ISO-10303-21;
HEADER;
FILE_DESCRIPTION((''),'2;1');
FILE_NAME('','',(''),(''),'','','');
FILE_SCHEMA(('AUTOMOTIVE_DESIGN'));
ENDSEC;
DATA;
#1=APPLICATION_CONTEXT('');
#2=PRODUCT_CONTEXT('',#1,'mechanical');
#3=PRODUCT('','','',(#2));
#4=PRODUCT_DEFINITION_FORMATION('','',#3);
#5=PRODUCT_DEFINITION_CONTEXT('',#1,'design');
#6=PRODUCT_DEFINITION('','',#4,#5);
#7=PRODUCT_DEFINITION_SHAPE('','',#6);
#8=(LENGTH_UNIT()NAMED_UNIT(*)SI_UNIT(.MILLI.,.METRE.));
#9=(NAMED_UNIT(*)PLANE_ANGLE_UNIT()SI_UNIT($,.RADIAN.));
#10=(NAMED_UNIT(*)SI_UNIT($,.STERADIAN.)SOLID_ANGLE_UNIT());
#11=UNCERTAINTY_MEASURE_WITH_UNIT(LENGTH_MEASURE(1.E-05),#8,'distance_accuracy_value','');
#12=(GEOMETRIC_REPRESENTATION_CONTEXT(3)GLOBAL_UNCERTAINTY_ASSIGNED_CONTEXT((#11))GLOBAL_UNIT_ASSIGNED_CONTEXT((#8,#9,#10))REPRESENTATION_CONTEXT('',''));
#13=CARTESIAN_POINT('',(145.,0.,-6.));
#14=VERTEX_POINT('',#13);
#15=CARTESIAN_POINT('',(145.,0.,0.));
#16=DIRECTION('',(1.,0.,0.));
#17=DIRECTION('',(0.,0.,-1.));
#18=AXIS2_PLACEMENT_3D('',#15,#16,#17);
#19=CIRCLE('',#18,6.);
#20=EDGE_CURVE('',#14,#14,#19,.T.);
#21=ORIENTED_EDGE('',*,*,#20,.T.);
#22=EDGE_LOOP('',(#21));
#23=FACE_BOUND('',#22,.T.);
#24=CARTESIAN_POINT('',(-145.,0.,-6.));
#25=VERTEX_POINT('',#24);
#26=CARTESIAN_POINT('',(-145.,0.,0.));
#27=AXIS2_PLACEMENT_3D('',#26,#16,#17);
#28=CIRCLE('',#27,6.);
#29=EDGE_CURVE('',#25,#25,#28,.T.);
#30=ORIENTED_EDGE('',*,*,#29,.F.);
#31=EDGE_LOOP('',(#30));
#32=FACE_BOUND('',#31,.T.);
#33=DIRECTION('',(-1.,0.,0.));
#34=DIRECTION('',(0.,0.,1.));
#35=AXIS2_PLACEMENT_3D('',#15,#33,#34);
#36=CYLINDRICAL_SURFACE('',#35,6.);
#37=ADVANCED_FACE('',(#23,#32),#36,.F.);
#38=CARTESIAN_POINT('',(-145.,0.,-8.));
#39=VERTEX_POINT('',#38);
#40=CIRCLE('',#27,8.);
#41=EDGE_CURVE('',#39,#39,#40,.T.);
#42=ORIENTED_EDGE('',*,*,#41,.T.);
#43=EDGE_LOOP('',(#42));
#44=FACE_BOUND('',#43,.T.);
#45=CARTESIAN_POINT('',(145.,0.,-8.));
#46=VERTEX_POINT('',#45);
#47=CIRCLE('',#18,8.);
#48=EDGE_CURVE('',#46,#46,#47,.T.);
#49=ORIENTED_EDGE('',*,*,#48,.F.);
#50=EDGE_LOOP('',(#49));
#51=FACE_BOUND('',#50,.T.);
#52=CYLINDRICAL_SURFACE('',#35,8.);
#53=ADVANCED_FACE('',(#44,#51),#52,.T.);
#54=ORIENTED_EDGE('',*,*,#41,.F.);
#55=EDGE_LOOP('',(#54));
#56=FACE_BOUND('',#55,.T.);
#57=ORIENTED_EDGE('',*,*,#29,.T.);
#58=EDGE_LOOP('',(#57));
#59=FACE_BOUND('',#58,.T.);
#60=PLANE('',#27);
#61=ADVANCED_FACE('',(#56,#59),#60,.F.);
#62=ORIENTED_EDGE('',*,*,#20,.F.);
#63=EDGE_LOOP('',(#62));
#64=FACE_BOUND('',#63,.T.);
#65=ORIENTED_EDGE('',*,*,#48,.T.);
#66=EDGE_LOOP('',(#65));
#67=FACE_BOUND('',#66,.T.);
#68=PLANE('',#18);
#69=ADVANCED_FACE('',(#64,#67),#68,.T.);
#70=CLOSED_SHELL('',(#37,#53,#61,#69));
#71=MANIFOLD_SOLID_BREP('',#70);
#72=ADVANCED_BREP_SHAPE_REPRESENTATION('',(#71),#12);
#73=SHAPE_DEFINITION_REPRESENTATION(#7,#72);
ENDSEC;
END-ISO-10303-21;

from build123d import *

# Parameters (mm, degrees)
SKETCH1_R           = 8
SKETCH1_R_2         = 6
BOSS_EXTRUDE1_DEPTH = 145


with BuildPart() as part:
    # Sketch1 → Boss-Extrude1 (new body, symmetric)
    with BuildSketch(Plane(origin=(0, 0, 0), x_dir=(0, 0, -1), z_dir=(1, 0, 0))):
        Circle(SKETCH1_R)
        Circle(SKETCH1_R_2, mode=Mode.SUBTRACT)
    extrude(amount=BOSS_EXTRUDE1_DEPTH, both=True)


solid = part.part
